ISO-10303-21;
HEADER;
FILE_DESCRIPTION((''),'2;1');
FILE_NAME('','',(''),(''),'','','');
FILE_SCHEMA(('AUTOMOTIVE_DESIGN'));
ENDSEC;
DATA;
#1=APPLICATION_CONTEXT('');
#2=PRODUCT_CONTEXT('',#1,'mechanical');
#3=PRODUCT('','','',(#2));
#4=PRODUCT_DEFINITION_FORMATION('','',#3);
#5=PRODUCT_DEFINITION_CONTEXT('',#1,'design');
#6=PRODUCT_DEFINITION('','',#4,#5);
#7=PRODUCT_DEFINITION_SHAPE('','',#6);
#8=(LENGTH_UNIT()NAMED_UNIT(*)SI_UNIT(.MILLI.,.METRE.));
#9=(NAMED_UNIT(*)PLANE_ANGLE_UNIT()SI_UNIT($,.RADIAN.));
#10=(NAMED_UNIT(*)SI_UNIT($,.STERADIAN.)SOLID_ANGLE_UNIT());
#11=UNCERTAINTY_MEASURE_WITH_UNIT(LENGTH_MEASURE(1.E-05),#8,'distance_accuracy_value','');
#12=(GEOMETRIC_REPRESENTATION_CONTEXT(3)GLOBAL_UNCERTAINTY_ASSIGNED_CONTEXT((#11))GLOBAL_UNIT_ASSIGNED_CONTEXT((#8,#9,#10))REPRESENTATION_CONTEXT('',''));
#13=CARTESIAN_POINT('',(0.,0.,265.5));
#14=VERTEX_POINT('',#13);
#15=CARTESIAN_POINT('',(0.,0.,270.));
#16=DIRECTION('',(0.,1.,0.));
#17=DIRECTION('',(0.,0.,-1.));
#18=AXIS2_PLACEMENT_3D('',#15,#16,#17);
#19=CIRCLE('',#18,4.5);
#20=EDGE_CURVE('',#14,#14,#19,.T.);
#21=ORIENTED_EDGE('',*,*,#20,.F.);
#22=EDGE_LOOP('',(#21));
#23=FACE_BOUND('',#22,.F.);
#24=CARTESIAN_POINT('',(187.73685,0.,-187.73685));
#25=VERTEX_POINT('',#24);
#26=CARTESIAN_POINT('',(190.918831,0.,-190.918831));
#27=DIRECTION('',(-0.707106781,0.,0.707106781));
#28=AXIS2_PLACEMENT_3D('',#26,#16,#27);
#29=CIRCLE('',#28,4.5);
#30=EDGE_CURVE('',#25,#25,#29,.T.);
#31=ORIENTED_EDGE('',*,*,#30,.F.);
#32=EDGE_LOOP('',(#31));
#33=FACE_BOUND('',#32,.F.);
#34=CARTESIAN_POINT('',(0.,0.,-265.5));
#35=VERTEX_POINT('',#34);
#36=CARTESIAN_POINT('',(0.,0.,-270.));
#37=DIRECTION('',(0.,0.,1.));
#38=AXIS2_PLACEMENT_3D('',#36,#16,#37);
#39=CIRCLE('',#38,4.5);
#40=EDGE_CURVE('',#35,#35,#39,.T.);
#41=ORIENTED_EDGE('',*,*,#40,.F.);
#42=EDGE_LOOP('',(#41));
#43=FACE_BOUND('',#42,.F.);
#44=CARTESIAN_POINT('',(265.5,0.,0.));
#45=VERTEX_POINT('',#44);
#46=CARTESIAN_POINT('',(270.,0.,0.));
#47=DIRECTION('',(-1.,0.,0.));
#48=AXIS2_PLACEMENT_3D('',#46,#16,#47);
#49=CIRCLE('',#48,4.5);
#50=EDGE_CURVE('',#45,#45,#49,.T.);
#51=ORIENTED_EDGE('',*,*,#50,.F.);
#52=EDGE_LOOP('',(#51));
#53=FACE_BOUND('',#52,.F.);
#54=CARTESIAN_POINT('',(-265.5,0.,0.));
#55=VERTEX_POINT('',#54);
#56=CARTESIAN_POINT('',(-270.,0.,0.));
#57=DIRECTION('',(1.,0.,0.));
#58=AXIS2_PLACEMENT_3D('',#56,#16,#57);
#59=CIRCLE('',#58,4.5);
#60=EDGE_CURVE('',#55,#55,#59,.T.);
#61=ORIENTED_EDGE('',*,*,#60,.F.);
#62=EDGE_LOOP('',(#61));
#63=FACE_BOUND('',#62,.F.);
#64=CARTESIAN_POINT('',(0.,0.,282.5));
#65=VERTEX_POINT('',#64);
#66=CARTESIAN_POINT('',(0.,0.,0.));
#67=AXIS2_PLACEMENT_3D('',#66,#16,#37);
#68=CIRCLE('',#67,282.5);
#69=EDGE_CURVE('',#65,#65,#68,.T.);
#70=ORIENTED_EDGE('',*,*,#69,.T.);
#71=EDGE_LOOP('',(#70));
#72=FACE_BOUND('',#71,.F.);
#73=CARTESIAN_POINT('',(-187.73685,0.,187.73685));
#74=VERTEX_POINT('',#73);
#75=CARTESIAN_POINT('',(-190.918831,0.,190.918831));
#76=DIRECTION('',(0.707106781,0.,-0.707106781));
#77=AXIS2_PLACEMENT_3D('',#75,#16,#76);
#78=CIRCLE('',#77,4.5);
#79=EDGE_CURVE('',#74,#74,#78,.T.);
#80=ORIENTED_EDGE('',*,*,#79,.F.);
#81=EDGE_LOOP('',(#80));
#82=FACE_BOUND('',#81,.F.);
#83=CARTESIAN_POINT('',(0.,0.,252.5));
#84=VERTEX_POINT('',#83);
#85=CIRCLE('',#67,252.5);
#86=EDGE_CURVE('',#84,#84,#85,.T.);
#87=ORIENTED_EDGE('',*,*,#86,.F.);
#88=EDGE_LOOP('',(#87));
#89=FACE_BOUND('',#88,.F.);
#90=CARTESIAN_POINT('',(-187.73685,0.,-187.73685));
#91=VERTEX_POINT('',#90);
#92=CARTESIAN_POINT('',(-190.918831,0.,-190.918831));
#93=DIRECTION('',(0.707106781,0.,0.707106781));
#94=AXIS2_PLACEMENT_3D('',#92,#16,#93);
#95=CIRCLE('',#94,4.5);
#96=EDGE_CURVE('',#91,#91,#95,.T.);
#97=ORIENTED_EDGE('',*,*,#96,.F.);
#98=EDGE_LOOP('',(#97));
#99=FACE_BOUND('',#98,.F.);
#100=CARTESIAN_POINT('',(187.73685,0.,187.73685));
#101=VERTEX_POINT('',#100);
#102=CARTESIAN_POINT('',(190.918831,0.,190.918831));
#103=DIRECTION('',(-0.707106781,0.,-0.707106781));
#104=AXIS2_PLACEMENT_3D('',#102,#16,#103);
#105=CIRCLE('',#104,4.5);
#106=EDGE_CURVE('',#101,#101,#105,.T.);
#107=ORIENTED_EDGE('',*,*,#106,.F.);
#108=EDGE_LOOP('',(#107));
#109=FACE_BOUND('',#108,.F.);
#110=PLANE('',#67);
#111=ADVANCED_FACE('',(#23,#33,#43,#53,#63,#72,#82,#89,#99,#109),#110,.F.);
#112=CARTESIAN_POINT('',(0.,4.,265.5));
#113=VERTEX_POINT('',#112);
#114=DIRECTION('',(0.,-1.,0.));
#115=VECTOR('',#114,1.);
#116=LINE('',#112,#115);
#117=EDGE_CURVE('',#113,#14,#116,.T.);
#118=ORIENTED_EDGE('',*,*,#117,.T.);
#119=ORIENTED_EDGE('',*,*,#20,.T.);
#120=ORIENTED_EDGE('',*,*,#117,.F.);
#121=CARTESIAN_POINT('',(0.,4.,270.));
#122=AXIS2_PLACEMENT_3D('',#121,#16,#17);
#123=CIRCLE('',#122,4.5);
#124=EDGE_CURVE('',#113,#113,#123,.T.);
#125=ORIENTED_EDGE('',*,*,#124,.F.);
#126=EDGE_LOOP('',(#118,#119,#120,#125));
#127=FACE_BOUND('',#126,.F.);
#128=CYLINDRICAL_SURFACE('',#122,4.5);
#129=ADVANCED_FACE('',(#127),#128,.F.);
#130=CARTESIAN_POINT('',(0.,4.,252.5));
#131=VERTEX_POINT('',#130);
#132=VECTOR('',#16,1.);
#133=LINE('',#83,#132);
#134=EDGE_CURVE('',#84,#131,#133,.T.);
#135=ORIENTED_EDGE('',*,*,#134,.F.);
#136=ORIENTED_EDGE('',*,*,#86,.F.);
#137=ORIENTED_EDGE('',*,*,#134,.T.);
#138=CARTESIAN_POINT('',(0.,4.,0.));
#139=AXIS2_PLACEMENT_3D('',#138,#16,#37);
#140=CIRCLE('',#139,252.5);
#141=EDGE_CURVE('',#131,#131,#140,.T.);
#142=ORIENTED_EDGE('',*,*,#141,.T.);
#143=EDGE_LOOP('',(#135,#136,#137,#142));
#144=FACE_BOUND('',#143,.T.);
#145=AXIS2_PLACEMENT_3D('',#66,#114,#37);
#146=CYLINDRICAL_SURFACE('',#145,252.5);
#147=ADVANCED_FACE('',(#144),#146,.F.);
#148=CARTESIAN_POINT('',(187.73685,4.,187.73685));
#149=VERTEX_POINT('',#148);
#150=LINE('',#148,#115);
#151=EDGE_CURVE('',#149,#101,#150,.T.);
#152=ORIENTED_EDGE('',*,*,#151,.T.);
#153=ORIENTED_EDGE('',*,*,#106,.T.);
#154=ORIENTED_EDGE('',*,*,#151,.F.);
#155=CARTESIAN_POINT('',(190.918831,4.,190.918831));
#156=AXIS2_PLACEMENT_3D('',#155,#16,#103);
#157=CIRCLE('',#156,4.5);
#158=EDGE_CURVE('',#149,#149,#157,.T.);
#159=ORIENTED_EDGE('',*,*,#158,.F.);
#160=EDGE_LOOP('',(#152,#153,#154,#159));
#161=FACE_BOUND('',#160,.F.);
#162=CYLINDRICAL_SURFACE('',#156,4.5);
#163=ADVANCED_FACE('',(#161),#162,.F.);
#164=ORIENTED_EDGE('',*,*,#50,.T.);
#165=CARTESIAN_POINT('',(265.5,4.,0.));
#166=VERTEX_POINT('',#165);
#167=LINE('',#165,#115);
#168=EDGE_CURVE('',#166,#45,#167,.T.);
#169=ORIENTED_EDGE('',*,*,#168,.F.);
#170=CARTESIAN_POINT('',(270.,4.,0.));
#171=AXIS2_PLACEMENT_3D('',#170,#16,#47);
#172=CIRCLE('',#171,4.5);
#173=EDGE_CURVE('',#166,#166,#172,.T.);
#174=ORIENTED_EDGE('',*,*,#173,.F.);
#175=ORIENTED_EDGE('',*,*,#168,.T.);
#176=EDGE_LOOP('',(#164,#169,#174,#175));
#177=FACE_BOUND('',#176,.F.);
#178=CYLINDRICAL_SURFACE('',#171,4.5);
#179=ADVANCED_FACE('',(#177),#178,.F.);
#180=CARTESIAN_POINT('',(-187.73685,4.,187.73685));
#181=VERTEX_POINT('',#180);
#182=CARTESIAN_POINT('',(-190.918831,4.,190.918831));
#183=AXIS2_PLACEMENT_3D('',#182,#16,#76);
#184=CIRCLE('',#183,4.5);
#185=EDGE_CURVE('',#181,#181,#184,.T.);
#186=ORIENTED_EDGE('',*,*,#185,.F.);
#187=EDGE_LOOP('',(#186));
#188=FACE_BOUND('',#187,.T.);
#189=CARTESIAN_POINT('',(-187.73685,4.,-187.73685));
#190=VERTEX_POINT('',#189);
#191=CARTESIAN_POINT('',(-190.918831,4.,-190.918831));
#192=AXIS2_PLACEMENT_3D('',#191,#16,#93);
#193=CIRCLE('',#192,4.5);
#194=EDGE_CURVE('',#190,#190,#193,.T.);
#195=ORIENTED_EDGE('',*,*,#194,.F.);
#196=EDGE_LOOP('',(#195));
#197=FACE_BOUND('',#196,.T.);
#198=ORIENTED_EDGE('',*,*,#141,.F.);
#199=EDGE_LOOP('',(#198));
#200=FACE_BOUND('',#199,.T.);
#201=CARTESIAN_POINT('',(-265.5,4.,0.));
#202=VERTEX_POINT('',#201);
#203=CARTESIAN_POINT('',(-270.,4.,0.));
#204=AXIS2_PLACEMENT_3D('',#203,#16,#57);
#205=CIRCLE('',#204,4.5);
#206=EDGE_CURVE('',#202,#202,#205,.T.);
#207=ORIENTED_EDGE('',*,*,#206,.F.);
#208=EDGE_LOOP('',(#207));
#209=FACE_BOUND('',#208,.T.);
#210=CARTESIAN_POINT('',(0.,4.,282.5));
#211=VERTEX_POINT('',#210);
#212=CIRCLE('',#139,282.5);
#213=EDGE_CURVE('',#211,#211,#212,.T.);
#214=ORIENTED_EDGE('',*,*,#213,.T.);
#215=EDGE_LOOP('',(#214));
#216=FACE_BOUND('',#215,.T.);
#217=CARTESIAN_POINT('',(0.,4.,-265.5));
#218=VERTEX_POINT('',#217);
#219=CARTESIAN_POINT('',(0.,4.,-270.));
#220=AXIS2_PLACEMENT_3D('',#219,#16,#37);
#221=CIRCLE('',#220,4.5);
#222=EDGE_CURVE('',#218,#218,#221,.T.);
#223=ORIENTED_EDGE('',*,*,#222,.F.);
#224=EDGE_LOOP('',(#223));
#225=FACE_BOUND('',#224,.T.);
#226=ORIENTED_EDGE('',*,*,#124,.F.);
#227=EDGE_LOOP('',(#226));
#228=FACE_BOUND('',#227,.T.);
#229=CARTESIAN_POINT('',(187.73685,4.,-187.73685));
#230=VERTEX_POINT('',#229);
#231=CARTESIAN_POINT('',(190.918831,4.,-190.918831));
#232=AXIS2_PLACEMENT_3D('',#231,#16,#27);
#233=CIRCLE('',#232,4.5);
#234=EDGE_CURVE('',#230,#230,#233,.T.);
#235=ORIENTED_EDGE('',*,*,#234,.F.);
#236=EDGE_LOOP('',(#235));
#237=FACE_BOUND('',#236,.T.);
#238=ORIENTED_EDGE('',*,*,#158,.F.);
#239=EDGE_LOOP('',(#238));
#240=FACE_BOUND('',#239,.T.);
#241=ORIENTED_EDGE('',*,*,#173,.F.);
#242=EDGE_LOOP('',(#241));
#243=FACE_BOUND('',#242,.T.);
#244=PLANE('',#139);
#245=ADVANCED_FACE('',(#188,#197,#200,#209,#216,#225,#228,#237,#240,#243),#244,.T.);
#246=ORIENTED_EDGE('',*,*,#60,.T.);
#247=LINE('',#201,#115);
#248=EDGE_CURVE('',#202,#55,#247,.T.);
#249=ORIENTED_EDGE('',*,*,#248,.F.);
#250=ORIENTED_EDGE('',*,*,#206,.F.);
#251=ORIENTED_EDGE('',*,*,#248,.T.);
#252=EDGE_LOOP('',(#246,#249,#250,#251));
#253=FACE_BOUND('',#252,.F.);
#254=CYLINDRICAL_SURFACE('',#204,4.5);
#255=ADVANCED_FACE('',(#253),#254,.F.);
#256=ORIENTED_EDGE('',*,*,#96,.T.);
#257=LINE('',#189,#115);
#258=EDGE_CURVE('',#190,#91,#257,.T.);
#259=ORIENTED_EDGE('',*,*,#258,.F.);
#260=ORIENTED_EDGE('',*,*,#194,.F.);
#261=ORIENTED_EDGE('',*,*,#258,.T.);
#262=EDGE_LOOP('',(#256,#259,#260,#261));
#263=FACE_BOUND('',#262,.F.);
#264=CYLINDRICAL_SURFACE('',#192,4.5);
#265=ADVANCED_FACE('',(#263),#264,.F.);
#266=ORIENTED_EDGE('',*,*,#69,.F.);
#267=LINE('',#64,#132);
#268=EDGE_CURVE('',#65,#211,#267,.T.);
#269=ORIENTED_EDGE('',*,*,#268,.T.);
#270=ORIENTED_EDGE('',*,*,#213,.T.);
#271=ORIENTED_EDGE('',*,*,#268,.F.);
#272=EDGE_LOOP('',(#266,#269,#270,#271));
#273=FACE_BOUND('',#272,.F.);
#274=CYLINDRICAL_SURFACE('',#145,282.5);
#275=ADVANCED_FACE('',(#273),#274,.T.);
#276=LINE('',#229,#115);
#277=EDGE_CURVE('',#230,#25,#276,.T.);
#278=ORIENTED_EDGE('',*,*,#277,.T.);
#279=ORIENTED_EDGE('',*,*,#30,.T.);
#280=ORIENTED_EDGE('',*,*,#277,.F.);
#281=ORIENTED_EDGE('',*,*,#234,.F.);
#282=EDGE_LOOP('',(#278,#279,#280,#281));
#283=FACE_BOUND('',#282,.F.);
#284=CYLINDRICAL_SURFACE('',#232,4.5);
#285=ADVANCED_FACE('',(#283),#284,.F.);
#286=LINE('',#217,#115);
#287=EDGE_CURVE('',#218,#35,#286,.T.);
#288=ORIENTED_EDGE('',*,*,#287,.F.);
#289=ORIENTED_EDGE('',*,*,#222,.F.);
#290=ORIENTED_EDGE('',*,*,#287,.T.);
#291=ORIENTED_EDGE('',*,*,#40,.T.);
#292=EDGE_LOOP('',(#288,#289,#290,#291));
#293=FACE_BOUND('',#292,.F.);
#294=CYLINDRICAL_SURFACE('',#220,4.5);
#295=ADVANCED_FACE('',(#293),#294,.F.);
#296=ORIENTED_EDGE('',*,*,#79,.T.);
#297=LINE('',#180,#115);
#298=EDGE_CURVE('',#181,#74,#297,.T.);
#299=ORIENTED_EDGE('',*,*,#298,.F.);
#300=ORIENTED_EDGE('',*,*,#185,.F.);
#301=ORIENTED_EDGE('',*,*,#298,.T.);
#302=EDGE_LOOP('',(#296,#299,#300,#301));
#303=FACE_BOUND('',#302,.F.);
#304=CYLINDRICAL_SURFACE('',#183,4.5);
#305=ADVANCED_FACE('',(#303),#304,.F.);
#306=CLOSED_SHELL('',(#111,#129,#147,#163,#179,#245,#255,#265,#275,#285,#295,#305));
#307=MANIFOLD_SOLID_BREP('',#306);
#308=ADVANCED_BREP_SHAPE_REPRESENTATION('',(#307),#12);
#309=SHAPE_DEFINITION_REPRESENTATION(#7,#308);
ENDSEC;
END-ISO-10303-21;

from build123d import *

# Parameters (mm, degrees)
SKETCH1_R           = 282.5
SKETCH1_R_2         = 252.5
BOSS_EXTRUDE1_DEPTH = 4
SKETCH2_R           = 4.5
CUT_EXTRUDE1_DEPTH  = 4
CIRPATTERN1_COUNT   = 8


with BuildPart() as part:
    # Sketch1 → Boss-Extrude1 (new body)
    with BuildSketch(Plane(origin=(0, 0, 0), x_dir=(1, 0, 0), z_dir=(0, 1, 0))):
        with Locations(Location((0, 0, 0), (0, 0, 270))):
            Circle(SKETCH1_R)
        with Locations(Location((0, 0, 0), (0, 0, 270))):
            Circle(SKETCH1_R_2, mode=Mode.SUBTRACT)
    extrude(amount=BOSS_EXTRUDE1_DEPTH)

    # Sketch2 → Cut-Extrude1 (cut)
    with BuildSketch(Plane(origin=(0, 4, 0), x_dir=(1, 0, 0), z_dir=(0, 1, 0))):
        with Locations(Location((0, 270, 0), (0, 0, 270))):
            Circle(SKETCH2_R)
    cut_extrude1 = extrude(amount=-CUT_EXTRUDE1_DEPTH, mode=Mode.SUBTRACT)

    # CirPattern1: Cut-Extrude1 ×8 about axis
    cirpattern1_axis = Axis((0, 0, 0), (0, 1, 0))
    for i in range(1, CIRPATTERN1_COUNT):
        add(cut_extrude1.rotate(cirpattern1_axis, i * 360 / CIRPATTERN1_COUNT), mode=Mode.SUBTRACT)


solid = part.part
